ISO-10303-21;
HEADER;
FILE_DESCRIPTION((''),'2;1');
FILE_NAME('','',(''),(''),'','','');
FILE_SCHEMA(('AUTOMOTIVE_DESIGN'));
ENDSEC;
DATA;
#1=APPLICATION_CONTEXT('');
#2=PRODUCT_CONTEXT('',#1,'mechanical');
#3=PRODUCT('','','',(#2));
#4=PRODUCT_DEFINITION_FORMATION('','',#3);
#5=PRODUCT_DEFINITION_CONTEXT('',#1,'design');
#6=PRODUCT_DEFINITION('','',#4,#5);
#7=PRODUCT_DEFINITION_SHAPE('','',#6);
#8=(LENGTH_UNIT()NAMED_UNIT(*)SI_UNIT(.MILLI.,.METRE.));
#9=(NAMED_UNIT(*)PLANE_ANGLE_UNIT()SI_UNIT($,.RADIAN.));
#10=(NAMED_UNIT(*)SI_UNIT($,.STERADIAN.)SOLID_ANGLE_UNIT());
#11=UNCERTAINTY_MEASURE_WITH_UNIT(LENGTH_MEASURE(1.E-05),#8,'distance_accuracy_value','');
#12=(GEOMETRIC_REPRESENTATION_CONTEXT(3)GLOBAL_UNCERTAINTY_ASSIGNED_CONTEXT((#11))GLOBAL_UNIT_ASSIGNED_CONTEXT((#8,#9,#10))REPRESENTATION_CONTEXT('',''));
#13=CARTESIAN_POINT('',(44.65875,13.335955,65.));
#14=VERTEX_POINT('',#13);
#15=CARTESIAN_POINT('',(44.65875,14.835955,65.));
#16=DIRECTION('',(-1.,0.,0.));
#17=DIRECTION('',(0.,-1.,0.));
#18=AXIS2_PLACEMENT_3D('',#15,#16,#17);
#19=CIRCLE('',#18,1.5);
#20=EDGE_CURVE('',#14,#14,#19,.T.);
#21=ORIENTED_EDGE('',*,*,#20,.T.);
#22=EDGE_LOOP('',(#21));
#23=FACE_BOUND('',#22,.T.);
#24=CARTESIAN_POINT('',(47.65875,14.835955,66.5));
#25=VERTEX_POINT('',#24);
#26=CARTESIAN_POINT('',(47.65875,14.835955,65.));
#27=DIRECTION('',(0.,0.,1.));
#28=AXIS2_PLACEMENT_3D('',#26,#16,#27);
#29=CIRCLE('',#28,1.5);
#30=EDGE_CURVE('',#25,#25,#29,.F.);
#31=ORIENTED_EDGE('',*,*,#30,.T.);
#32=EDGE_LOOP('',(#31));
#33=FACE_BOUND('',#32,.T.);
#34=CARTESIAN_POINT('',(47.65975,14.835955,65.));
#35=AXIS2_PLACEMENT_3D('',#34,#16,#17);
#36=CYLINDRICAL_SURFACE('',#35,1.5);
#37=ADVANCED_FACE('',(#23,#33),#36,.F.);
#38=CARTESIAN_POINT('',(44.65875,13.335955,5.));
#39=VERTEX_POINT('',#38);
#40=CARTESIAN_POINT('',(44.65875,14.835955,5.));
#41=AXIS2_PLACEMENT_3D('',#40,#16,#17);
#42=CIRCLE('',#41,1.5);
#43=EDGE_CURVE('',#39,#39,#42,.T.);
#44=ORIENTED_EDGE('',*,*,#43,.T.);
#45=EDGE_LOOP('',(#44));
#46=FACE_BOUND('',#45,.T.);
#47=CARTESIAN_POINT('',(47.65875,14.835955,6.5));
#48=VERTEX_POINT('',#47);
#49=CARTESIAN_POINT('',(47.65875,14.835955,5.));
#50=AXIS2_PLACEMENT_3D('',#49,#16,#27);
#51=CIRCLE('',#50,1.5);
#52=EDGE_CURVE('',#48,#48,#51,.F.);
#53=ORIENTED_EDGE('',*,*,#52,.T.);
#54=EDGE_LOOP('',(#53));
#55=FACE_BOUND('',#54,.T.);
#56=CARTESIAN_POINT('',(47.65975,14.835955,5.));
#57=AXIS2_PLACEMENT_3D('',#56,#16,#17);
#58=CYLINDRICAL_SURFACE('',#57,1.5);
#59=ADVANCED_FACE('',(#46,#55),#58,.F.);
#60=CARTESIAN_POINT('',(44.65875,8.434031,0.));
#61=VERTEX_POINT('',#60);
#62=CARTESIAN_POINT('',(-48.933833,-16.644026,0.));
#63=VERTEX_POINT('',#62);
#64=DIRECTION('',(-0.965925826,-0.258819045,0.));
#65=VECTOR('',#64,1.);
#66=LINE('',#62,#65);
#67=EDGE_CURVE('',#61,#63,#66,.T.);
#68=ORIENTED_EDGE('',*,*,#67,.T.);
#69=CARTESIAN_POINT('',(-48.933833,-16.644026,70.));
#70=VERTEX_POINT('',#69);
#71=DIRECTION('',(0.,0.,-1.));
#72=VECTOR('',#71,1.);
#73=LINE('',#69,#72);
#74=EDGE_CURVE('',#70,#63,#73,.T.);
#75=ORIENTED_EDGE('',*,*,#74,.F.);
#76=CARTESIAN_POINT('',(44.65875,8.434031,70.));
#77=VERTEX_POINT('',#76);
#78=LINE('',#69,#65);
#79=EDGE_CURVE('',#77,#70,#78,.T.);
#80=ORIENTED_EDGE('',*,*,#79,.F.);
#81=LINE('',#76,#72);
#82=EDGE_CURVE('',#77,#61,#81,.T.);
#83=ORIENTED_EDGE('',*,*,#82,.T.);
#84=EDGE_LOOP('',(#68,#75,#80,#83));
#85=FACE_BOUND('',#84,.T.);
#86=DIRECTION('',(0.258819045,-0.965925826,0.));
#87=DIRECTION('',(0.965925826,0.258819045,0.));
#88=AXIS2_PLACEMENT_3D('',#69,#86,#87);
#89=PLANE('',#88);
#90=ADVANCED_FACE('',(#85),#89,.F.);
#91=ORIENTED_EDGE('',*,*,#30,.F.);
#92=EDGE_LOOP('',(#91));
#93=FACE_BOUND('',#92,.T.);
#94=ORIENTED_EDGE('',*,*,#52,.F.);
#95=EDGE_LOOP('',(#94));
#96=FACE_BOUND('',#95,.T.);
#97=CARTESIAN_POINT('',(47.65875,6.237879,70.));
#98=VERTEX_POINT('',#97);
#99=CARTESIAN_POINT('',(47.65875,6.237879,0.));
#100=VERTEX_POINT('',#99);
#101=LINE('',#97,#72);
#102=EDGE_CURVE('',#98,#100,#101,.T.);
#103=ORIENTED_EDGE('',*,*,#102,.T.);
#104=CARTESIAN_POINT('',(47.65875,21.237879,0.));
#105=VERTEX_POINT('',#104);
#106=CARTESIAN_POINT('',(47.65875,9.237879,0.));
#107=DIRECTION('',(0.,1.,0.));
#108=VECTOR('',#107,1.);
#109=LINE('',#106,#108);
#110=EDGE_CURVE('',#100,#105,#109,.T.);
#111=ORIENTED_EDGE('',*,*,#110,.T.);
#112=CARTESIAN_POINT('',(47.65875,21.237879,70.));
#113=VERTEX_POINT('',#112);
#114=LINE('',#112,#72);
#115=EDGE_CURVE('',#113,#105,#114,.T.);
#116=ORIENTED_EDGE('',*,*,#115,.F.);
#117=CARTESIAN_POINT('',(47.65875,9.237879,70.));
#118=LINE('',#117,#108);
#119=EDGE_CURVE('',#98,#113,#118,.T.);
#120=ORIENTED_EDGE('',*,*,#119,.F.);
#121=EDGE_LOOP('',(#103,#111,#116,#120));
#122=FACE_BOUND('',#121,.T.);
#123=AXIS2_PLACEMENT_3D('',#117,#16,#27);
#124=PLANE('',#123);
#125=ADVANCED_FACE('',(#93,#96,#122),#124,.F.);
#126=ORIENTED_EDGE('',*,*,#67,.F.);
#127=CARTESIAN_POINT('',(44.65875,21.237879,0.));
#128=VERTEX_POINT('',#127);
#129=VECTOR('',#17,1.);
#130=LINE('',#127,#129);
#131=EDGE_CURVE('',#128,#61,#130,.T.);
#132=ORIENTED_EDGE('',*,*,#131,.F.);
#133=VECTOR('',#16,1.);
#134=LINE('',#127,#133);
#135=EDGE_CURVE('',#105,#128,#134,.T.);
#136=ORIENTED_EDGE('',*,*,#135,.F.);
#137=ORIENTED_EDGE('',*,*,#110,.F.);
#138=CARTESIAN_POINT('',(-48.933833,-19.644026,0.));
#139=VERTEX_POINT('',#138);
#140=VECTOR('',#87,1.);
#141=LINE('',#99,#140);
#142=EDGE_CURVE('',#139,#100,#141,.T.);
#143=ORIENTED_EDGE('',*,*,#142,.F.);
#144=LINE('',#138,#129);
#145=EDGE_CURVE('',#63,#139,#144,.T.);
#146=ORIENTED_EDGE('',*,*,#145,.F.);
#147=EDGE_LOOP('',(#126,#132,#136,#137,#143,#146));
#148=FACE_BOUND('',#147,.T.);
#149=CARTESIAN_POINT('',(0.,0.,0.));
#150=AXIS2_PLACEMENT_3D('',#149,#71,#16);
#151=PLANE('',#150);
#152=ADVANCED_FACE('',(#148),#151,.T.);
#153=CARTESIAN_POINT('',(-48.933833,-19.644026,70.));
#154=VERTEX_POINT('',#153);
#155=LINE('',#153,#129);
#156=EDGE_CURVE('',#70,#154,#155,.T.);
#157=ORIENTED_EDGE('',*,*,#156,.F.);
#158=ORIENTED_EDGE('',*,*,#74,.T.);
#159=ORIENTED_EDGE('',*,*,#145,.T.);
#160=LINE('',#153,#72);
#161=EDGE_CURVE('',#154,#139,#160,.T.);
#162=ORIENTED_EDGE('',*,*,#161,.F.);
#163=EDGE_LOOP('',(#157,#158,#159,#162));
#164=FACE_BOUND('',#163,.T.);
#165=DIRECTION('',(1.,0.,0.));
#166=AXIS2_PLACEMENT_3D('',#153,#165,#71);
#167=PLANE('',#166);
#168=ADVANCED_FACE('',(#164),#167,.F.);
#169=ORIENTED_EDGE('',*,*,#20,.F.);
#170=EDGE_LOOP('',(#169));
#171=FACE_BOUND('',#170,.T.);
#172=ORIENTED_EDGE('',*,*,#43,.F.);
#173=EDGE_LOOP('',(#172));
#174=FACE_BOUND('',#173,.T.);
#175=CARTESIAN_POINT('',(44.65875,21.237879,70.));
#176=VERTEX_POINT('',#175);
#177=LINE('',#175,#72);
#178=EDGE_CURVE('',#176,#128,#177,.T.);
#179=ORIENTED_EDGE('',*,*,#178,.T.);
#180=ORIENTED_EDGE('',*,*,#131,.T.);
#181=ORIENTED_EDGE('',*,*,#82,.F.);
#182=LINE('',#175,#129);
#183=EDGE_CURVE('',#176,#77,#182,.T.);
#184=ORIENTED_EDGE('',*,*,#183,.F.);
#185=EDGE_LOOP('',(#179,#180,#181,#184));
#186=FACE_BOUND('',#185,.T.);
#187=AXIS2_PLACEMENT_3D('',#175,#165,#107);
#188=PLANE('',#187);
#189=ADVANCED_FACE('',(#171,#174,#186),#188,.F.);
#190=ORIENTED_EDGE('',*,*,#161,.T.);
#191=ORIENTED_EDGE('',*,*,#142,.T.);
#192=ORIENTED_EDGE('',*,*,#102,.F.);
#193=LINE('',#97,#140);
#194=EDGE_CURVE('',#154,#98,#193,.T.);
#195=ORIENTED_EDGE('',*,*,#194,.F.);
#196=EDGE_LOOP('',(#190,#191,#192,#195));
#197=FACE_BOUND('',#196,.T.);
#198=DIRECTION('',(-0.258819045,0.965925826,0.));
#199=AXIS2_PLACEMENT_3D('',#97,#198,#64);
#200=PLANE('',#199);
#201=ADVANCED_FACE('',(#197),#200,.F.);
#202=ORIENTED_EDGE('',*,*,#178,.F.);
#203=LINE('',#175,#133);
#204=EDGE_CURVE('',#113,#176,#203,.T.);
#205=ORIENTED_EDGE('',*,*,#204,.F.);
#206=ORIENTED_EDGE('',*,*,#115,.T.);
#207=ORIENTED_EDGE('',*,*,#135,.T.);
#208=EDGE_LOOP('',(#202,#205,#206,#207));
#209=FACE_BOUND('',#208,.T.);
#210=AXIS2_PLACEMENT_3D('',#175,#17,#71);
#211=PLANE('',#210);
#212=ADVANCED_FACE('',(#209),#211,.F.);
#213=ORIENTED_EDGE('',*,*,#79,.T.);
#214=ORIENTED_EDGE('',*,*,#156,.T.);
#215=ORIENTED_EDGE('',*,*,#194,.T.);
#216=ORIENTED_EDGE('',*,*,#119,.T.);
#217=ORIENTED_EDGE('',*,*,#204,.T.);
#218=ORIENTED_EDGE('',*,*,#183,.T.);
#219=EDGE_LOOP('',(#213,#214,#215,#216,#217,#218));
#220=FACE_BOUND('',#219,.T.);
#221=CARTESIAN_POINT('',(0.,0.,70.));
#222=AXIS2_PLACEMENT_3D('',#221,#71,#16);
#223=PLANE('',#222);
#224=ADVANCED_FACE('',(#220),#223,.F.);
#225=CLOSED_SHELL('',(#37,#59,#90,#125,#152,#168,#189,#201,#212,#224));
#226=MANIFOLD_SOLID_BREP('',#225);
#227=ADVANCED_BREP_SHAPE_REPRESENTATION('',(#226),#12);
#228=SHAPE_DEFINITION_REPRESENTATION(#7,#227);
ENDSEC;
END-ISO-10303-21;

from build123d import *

# Parameters (mm, degrees)
EXTRUDE_1_DEPTH     = 70
CUT_EXTRUDE_1_REACH = 120.788
SKETCH_2_R          = 1.5


with BuildPart() as part:
    # 草图1 → 凸台-拉伸1 (new body)
    with BuildSketch(Plane.XY):
        Polygon((47.658749939, 6.237878975), (-48.93383269, -19.644025535), (-48.93383269, -16.644025535), (44.658749939, 8.434031398), (44.658749939, 21.237878975), (47.658749939, 21.237878975), (47.658749939, 9.237878975), align=None)
    extrude(amount=EXTRUDE_1_DEPTH)

    # 草图2 → 切除-拉伸1 (cut, up to next)
    with BuildSketch(Plane.ZY.offset(-44.658749939), mode=Mode.PRIVATE) as cut_extrude_1_sk1:
        with Locations(Location((5, 14.835955186, 0), (0, 0, 270))):
            Circle(SKETCH_2_R)
    cut_extrude_1_tool1 = extrude(cut_extrude_1_sk1.sketch, amount=-CUT_EXTRUDE_1_REACH, mode=Mode.PRIVATE) & part.part
    # 草图2 → 切除-拉伸1 (cut, up to next)
    with BuildSketch(Plane.ZY.offset(-44.658749939), mode=Mode.PRIVATE) as cut_extrude_1_sk2:
        with Locations(Location((65, 14.835955186, 0), (0, 0, 270))):
            Circle(SKETCH_2_R)
    cut_extrude_1_tool2 = extrude(cut_extrude_1_sk2.sketch, amount=-CUT_EXTRUDE_1_REACH, mode=Mode.PRIVATE) & part.part
    add(cut_extrude_1_tool1.solids().sort_by_distance((44.65875, 14.835955, 5))[0], mode=Mode.SUBTRACT)
    add(cut_extrude_1_tool2.solids().sort_by_distance((44.65875, 14.835955, 65))[0], mode=Mode.SUBTRACT)


solid = part.part
